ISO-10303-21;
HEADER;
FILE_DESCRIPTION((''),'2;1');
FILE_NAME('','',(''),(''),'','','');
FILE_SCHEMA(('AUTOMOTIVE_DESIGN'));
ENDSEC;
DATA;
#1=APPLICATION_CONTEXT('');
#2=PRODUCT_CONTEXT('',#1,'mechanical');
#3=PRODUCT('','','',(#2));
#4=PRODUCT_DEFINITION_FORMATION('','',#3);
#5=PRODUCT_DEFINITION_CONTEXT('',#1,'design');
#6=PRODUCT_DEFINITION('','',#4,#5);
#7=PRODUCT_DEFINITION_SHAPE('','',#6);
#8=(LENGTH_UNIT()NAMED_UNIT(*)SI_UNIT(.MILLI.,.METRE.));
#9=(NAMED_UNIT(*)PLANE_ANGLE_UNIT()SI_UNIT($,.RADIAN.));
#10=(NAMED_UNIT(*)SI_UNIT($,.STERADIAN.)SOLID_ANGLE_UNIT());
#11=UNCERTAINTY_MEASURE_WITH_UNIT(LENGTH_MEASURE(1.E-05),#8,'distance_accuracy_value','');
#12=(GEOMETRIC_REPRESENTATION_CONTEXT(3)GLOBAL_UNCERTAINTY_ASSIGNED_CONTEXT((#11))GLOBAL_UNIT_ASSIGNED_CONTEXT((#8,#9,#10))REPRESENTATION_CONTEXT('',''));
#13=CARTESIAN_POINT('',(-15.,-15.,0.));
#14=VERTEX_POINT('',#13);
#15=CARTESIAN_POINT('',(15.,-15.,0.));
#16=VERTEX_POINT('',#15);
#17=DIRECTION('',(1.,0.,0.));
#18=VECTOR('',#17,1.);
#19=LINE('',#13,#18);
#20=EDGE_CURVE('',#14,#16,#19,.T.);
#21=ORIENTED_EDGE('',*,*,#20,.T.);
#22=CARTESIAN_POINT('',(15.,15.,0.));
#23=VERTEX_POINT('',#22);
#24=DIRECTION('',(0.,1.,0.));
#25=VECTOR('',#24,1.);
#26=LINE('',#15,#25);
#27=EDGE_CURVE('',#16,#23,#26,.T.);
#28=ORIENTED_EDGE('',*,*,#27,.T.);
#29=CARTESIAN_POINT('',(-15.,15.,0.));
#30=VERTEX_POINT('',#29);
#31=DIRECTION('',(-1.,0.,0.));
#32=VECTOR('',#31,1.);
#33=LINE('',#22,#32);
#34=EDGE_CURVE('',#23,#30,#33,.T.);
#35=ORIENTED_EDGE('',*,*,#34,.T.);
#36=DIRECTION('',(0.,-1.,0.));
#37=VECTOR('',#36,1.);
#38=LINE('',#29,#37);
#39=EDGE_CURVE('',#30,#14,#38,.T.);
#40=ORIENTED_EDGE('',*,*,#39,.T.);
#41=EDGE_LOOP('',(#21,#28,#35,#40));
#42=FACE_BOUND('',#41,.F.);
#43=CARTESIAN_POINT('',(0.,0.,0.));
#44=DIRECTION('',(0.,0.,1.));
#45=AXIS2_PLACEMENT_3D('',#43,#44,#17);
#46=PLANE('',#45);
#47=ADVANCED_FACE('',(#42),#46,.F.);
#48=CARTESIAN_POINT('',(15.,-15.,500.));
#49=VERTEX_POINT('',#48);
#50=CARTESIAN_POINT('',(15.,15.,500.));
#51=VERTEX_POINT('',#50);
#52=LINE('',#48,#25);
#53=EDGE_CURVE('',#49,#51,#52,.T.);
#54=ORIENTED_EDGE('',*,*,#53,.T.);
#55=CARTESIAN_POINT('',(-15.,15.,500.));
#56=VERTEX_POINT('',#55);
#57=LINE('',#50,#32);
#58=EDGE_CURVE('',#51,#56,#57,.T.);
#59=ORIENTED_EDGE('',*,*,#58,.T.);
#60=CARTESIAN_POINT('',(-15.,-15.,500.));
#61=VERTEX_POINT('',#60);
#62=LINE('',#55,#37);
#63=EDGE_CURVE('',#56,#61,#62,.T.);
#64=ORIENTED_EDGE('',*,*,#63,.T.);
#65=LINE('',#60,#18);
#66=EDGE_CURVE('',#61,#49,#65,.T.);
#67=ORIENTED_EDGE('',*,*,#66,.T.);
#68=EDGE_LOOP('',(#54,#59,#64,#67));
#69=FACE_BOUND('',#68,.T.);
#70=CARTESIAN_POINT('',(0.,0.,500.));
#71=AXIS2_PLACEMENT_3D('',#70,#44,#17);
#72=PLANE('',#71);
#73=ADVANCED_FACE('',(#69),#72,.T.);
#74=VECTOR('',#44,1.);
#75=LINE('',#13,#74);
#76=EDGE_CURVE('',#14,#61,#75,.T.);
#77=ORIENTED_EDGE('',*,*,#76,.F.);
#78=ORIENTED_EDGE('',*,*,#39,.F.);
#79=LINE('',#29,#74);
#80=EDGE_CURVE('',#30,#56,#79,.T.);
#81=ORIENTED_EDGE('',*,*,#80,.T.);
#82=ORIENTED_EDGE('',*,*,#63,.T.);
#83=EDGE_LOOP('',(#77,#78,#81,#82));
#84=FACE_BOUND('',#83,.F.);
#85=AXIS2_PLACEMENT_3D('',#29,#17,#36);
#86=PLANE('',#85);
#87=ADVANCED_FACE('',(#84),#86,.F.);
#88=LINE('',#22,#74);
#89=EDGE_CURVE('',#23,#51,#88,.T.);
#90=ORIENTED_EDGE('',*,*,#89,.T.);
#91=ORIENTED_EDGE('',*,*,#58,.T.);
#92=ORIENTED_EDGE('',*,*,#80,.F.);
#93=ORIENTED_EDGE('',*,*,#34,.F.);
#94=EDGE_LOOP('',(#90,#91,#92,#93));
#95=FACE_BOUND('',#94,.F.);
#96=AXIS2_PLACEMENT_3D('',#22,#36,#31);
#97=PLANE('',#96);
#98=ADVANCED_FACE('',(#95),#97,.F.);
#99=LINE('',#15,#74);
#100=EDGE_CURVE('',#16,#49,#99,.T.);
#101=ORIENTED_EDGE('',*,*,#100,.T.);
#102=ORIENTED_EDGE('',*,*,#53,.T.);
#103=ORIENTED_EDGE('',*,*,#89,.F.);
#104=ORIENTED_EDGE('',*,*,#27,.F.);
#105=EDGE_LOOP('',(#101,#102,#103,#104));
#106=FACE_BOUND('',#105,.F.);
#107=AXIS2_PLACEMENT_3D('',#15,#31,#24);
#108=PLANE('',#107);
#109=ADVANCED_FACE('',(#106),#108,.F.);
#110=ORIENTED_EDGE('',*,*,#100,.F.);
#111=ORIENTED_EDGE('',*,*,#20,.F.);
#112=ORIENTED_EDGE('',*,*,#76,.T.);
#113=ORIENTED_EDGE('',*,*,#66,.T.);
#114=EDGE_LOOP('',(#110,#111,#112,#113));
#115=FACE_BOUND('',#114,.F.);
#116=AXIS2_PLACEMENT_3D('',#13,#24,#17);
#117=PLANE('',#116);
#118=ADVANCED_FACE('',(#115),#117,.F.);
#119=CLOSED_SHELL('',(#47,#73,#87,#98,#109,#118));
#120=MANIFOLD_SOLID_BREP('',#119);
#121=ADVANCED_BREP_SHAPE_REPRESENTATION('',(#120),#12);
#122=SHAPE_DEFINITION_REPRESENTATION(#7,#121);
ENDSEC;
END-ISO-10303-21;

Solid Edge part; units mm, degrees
sketch "Sketch1" plane through (0, 0, 0) normal (0, 0, 1) x (1, 0, 0)
  line L0 (-15, -15) -> (15, -15)
  line L1 (15, -15) -> (15, 15)
  line L2 (15, 15) -> (-15, 15)
  line L3 (-15, 15) -> (-15, -15)
extrude "Protrusion1" add sketch "Sketch1" along normal blind 500
